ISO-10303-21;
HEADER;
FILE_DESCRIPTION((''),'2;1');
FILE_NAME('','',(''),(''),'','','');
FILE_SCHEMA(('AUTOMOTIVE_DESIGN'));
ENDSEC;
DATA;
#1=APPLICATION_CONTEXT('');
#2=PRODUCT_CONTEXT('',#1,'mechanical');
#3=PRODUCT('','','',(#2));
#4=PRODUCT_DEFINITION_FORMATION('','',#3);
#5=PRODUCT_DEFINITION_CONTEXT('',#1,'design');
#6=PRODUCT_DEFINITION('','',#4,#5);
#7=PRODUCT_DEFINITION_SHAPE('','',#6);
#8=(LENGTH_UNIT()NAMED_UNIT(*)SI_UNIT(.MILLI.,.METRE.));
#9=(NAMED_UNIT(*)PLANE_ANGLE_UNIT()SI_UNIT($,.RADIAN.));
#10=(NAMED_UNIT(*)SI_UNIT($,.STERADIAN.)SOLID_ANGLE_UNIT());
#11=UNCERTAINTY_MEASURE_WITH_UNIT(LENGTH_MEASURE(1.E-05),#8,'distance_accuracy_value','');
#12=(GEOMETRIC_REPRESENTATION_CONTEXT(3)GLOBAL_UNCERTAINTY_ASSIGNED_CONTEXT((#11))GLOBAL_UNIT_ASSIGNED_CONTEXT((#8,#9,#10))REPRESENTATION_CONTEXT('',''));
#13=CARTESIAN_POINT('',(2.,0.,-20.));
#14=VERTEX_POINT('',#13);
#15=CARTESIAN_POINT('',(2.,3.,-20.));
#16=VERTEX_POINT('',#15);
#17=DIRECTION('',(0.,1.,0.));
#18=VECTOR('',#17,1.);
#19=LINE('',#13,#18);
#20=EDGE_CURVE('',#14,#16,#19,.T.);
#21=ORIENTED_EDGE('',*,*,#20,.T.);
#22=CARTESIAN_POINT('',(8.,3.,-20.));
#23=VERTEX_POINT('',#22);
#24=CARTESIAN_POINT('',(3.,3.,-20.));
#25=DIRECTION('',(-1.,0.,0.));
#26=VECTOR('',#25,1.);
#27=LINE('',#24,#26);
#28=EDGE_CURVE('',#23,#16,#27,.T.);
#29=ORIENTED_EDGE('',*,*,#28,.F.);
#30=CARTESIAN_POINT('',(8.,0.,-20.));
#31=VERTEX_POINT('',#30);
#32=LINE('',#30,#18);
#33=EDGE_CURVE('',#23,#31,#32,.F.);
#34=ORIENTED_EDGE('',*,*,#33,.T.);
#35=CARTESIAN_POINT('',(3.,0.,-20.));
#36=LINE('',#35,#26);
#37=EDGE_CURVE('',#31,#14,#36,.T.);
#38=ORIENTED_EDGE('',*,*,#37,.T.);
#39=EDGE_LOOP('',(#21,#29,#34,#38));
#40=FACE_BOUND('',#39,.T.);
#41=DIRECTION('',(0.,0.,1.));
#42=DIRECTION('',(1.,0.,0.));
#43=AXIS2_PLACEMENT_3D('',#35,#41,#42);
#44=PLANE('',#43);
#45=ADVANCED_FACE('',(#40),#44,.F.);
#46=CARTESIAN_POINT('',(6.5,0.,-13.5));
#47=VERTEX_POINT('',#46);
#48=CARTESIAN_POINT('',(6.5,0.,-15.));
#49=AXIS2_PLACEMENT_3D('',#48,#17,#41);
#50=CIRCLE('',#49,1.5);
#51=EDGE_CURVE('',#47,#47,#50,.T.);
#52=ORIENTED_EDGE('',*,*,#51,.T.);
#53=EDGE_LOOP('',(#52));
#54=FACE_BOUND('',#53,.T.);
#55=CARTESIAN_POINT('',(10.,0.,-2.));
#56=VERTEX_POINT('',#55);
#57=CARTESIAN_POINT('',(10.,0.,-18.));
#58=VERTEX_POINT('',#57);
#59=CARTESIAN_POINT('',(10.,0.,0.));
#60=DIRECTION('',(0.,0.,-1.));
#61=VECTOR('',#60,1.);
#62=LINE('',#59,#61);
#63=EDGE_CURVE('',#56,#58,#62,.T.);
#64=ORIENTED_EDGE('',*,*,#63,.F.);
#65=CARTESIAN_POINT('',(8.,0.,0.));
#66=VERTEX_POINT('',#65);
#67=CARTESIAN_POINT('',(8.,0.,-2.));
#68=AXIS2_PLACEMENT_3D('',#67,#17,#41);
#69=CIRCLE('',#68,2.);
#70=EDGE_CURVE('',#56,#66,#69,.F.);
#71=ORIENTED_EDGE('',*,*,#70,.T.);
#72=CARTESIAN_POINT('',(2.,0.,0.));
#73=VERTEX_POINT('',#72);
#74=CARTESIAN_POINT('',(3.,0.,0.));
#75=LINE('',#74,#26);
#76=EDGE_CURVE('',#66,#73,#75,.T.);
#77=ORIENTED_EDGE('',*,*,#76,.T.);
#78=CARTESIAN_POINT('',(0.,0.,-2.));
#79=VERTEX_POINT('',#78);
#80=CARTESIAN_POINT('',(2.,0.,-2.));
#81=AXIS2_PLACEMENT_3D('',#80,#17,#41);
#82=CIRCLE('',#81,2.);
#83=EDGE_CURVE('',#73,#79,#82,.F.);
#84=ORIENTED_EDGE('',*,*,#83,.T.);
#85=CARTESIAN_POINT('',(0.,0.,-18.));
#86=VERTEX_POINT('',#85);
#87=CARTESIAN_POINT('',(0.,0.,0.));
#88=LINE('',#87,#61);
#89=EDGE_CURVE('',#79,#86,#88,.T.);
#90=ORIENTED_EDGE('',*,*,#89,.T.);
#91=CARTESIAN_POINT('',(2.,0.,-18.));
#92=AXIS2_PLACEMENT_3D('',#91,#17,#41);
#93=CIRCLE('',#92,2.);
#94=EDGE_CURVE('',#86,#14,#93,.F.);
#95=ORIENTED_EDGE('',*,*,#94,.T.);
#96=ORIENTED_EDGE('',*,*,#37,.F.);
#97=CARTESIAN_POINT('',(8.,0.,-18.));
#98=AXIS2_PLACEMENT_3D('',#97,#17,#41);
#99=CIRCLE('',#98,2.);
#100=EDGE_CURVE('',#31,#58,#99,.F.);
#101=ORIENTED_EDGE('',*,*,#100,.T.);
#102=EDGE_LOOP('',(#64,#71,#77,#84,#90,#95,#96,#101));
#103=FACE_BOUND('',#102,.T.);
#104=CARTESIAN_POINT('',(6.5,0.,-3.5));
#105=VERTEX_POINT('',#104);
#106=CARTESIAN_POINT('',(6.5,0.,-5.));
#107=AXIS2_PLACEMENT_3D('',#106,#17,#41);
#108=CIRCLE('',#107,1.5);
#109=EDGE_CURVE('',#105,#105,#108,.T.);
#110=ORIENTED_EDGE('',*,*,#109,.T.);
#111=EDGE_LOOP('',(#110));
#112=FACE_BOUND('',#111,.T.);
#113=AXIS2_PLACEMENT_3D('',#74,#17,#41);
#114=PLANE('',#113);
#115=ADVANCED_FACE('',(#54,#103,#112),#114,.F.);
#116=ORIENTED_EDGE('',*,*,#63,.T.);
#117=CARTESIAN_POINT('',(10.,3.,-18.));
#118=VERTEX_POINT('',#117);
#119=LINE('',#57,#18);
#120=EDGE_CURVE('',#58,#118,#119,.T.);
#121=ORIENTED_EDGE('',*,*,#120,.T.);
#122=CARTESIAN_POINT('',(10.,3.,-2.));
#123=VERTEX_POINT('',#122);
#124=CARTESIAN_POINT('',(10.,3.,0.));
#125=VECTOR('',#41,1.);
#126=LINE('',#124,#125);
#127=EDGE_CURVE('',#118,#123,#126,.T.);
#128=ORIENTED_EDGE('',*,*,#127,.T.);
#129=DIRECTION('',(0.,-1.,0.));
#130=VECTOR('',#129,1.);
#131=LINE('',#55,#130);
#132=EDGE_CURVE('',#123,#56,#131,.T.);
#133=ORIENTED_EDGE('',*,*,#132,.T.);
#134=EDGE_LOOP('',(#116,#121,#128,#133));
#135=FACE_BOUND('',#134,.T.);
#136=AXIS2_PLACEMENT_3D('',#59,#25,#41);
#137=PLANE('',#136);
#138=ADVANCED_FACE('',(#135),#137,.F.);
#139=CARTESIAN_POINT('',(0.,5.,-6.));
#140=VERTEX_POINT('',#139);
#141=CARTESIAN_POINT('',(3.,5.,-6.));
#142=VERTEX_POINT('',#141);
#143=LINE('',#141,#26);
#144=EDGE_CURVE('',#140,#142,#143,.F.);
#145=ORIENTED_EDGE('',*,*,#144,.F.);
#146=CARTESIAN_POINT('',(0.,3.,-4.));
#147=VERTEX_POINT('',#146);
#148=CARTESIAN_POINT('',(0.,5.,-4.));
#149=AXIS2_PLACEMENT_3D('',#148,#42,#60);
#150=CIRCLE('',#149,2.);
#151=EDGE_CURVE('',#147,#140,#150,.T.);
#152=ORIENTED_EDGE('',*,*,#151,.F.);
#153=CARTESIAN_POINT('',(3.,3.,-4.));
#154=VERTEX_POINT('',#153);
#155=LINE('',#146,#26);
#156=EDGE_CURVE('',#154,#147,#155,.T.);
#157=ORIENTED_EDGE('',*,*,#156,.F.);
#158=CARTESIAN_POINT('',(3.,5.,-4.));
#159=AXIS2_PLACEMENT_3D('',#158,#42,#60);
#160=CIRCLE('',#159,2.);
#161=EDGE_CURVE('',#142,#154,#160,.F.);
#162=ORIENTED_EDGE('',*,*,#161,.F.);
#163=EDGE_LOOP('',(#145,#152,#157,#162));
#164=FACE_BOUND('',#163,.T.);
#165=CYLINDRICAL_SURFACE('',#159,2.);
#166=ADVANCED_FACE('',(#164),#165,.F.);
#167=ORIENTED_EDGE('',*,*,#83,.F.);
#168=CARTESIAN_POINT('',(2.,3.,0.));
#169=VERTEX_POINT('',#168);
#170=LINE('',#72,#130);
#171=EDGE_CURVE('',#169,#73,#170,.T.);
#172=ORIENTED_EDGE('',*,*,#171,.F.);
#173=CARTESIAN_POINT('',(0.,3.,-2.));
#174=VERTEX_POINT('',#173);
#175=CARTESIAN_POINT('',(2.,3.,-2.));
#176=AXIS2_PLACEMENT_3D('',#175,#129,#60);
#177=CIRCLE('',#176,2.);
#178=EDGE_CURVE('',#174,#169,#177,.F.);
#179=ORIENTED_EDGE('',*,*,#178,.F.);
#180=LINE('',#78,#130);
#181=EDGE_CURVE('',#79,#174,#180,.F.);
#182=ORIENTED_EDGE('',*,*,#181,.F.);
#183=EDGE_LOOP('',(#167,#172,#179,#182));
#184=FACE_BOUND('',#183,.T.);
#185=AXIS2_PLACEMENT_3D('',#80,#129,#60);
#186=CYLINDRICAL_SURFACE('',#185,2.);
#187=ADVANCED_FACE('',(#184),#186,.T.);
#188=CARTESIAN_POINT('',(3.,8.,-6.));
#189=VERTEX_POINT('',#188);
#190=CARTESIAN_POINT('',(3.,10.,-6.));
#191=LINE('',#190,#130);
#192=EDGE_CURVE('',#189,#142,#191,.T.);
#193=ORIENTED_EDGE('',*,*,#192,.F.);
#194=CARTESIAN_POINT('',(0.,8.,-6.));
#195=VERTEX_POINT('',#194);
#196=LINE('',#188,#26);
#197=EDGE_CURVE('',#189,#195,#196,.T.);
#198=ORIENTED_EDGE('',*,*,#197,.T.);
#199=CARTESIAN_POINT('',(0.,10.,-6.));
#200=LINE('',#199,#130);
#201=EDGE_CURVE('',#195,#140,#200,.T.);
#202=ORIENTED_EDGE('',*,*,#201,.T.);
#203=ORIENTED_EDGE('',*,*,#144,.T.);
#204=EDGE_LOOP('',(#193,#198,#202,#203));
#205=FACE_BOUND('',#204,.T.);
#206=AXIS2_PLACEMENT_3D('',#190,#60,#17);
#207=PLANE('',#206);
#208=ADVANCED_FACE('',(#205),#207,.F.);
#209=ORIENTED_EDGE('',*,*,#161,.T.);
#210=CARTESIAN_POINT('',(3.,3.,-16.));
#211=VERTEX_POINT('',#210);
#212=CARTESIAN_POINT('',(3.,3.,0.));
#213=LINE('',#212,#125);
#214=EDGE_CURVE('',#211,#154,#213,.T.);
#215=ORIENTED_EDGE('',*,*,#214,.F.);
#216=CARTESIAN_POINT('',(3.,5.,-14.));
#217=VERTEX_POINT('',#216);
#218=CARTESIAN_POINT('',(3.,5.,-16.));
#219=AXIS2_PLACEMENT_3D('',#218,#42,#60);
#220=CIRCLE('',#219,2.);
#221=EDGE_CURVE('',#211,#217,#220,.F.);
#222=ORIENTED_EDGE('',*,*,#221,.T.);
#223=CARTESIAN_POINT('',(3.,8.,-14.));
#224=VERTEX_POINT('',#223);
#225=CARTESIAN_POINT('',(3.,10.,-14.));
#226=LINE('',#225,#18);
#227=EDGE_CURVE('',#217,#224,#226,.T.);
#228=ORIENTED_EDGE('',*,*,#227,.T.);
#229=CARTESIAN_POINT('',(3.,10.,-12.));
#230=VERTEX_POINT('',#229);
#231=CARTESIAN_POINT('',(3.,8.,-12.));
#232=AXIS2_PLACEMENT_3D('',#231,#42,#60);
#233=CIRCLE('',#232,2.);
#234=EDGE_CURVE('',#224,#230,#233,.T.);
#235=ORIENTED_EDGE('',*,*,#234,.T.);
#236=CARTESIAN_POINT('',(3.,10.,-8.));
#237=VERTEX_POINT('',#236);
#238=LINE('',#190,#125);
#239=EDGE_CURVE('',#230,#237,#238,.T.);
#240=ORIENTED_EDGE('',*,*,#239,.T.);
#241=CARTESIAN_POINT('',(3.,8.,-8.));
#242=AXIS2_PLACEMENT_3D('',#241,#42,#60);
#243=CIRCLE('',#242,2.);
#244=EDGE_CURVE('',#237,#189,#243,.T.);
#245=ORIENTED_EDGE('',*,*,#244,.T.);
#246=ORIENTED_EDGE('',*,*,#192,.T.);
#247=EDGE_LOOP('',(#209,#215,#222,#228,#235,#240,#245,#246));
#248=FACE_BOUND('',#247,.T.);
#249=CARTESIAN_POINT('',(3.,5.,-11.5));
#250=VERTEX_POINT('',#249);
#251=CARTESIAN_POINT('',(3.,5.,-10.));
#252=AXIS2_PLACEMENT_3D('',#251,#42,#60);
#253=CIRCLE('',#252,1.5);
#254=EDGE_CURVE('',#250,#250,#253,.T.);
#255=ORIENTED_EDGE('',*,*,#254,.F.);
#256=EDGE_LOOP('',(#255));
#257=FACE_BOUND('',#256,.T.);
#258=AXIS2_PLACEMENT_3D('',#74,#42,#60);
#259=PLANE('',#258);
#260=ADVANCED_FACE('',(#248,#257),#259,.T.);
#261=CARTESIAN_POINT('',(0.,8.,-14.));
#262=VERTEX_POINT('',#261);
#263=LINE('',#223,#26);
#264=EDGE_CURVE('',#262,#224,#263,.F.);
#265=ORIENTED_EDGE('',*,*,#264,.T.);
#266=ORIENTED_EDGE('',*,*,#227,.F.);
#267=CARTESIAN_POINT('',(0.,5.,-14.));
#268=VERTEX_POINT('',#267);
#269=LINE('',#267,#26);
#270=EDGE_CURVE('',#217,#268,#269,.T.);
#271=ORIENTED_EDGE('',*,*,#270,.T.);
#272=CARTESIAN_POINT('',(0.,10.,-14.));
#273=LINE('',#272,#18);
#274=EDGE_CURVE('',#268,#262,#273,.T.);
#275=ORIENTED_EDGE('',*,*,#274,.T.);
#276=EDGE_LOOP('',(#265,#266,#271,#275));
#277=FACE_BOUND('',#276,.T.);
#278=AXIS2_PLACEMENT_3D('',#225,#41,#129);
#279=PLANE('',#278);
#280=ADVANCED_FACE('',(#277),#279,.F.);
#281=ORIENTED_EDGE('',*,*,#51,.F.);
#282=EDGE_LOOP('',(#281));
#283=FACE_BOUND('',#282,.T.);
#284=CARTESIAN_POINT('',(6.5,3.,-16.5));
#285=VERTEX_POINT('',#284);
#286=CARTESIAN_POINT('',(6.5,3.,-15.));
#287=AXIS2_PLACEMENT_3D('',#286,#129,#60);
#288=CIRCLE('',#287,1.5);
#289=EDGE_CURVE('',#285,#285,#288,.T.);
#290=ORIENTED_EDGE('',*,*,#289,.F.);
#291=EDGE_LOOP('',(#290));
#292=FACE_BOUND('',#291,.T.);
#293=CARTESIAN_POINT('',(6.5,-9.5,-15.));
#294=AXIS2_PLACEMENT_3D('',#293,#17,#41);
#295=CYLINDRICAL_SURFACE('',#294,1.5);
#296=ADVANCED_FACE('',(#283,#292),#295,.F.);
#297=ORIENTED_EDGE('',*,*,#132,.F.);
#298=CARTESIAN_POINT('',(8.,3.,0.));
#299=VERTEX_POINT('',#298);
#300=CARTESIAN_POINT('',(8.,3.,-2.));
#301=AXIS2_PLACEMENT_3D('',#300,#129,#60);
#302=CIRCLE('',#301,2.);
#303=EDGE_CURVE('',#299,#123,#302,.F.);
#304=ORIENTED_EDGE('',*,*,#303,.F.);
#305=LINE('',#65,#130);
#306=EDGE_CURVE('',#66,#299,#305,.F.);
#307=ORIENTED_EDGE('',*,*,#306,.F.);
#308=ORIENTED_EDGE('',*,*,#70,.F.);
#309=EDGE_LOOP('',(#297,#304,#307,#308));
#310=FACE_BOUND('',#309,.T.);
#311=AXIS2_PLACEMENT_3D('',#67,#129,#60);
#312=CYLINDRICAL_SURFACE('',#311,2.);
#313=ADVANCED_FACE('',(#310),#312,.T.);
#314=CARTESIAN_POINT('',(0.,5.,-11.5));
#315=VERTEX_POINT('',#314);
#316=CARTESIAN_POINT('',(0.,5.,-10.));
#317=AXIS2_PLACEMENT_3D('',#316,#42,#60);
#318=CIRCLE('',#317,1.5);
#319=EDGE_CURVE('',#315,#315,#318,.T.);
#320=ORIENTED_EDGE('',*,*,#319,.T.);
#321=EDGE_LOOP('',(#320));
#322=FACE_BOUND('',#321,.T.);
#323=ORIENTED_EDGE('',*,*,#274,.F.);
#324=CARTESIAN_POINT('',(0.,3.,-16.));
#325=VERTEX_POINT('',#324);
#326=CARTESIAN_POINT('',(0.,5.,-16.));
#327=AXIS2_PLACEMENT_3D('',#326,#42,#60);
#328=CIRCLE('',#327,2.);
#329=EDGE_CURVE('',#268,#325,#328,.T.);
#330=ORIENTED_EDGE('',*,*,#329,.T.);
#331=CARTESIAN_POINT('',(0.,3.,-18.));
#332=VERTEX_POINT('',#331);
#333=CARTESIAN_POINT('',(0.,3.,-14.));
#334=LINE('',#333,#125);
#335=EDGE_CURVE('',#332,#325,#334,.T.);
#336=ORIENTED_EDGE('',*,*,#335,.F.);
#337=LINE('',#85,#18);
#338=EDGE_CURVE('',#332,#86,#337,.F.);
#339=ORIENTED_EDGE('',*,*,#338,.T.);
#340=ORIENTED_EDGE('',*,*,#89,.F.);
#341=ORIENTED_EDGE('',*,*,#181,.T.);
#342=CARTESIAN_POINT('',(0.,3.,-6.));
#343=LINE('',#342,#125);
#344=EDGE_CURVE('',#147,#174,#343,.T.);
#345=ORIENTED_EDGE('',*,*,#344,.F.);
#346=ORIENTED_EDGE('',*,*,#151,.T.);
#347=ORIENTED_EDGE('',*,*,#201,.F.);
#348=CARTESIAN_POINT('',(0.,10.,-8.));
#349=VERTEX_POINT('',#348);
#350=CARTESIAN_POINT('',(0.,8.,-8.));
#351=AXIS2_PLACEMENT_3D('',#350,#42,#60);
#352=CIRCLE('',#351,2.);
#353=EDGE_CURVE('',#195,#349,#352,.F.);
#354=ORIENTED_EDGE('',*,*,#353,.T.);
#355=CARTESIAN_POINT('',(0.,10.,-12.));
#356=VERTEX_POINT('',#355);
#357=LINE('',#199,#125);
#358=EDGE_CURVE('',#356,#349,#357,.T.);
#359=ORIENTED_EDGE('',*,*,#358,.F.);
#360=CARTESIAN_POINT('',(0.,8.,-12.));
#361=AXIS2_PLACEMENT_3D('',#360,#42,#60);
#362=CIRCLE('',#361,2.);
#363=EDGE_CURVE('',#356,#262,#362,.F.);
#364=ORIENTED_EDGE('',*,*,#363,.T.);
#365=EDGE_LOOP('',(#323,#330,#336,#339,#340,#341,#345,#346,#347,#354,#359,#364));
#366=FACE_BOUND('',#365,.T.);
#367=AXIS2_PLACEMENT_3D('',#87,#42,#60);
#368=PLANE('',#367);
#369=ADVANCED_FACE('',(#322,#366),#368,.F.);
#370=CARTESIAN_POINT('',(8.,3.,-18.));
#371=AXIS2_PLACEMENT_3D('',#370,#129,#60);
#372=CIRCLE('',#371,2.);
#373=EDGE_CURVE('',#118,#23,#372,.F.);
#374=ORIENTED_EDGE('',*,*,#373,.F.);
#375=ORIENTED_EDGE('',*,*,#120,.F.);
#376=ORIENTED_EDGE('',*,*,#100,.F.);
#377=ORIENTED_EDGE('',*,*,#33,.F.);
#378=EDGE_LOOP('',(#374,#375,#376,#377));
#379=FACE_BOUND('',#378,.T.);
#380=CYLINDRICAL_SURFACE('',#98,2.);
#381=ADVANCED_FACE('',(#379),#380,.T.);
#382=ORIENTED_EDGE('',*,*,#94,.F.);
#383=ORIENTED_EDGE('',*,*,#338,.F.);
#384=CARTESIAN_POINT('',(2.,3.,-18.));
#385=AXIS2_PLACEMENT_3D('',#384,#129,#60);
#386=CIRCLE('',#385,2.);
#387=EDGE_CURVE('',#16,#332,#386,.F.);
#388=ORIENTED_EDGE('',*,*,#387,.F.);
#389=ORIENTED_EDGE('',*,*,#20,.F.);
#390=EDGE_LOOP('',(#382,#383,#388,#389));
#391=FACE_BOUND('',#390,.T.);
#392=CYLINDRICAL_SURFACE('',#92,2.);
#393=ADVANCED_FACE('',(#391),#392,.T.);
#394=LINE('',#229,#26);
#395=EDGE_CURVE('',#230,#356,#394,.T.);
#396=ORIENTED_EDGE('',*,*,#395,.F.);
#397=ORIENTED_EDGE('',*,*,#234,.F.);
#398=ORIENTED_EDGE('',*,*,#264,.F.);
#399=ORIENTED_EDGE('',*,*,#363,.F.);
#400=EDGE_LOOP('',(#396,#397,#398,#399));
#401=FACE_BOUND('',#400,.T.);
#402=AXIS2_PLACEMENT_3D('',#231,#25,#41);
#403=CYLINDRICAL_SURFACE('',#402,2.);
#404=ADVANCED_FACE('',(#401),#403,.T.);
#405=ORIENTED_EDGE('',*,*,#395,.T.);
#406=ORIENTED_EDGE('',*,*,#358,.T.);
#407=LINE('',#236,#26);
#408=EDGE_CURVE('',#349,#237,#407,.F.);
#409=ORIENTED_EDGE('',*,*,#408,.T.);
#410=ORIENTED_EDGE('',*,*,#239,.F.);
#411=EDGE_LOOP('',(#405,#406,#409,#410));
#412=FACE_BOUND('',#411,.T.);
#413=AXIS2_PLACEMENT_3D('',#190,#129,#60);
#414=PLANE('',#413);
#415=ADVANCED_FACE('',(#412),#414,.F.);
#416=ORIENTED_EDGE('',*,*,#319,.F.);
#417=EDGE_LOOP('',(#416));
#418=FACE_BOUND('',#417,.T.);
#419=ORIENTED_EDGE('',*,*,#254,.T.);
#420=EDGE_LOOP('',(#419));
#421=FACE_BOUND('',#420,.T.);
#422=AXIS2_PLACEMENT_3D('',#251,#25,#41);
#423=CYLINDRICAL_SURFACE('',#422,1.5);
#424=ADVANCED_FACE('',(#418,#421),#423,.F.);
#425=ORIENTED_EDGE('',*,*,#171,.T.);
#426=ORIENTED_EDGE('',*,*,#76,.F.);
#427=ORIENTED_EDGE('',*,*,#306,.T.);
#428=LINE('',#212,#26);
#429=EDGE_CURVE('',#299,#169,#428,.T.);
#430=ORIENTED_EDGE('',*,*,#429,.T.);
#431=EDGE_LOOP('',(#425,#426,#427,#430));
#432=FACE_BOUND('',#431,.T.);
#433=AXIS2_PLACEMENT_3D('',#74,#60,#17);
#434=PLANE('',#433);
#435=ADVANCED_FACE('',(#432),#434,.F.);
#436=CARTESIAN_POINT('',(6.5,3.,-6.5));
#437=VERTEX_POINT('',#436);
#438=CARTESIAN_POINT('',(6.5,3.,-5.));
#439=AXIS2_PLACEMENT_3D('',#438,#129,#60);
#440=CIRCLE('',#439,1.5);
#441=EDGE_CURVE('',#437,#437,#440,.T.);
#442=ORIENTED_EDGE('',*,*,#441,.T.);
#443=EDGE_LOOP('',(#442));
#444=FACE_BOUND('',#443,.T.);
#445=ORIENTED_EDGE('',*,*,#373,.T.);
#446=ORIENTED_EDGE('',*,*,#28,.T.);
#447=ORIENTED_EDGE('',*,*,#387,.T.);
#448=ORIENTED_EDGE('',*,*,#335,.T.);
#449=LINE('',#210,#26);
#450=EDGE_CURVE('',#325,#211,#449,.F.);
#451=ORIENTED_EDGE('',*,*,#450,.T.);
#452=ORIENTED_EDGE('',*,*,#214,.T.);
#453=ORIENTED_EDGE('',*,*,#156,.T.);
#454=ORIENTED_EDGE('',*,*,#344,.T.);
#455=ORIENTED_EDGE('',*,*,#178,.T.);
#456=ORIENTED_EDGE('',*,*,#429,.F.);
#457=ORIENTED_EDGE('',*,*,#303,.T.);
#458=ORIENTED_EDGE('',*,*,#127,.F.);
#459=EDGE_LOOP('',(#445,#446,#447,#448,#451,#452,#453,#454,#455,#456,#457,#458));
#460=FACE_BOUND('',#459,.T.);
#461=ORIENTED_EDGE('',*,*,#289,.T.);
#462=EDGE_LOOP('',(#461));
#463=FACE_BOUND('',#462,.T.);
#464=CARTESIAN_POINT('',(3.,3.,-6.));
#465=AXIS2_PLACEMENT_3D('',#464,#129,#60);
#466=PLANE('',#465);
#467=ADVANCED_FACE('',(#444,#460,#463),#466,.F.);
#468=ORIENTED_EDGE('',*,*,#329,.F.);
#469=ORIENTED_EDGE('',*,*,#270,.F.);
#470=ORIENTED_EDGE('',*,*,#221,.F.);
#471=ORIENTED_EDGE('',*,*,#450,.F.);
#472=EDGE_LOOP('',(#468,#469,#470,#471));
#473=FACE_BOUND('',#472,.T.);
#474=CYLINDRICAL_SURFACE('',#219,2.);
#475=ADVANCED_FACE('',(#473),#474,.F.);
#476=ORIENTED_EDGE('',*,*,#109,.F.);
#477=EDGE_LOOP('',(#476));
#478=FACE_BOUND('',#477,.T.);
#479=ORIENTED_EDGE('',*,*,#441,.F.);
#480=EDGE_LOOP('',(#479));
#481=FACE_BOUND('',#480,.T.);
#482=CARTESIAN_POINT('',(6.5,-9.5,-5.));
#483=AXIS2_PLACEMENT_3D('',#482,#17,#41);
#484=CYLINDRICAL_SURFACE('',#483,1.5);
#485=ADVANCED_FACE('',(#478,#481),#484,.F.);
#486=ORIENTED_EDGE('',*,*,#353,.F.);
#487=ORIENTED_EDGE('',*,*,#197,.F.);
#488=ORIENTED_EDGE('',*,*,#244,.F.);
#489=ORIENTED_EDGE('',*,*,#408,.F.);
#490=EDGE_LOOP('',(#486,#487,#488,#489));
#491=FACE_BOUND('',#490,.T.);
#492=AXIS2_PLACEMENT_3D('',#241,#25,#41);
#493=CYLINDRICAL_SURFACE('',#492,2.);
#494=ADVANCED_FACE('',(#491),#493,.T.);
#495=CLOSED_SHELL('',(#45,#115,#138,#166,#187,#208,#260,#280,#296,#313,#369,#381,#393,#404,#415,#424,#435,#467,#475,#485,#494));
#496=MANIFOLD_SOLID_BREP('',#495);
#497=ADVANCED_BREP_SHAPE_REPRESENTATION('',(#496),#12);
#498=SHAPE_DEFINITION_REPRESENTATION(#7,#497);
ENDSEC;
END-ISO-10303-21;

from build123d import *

# Parameters (mm, degrees)
SKETCH1_R           = 1.5
BOSS_EXTRUDE1_DEPTH = 3
SKETCH2_W           = 20
SKETCH2_H           = 3
BOSS_EXTRUDE2_DEPTH = 7
SKETCH3_R           = 1.5
CUT_EXTRUDE1_DEPTH  = 12.5
FILLET1_R           = 2


with BuildPart() as part:
    # Sketch1 → Boss-Extrude1 (new body)
    with BuildSketch(Plane(origin=(0, 0, 0), x_dir=(0, 0, -1), z_dir=(1, 0, 0))):
        Polygon((14, 10), (14, 3), (20, 3), (20, 0), (0, 0), (0, 3), (6, 3), (6, 10), align=None)
        with Locations((10, 5)):
            Circle(SKETCH1_R, mode=Mode.SUBTRACT)
    extrude(amount=BOSS_EXTRUDE1_DEPTH)

    # Sketch2 → Boss-Extrude2 (add)
    with BuildSketch(Plane(origin=(3, 0, 0), x_dir=(0, 0, -1), z_dir=(1, 0, 0))):
        with Locations((10, 1.5)):
            Rectangle(SKETCH2_W, SKETCH2_H)
    extrude(amount=BOSS_EXTRUDE2_DEPTH)

    # Sketch3 → Cut-Extrude1 (cut, symmetric)
    with BuildSketch(Plane(origin=(0, 3, 0), x_dir=(1, 0, 0), z_dir=(0, 1, 0))):
        with Locations(Location((6.5, 15, 0), (0, 0, 270))):
            Circle(SKETCH3_R)
        with Locations(Location((6.5, 5, 0), (0, 0, 270))):
            Circle(SKETCH3_R)
    extrude(amount=CUT_EXTRUDE1_DEPTH, both=True, mode=Mode.SUBTRACT)

    # Fillet1
    fillet1_edges = [part.edges().sort_by_distance(p)[0] for p in [
        (0, 1.5, -20),
        (0, 1.5, 0),
        (1.5, 3, -6),
        (1.5, 10, -6),
        (1.5, 10, -14),
        (1.5, 3, -14),
        (10, 1.5, 0),
        (10, 1.5, -20),
    ]]
    fillet(fillet1_edges, radius=FILLET1_R)


solid = part.part
